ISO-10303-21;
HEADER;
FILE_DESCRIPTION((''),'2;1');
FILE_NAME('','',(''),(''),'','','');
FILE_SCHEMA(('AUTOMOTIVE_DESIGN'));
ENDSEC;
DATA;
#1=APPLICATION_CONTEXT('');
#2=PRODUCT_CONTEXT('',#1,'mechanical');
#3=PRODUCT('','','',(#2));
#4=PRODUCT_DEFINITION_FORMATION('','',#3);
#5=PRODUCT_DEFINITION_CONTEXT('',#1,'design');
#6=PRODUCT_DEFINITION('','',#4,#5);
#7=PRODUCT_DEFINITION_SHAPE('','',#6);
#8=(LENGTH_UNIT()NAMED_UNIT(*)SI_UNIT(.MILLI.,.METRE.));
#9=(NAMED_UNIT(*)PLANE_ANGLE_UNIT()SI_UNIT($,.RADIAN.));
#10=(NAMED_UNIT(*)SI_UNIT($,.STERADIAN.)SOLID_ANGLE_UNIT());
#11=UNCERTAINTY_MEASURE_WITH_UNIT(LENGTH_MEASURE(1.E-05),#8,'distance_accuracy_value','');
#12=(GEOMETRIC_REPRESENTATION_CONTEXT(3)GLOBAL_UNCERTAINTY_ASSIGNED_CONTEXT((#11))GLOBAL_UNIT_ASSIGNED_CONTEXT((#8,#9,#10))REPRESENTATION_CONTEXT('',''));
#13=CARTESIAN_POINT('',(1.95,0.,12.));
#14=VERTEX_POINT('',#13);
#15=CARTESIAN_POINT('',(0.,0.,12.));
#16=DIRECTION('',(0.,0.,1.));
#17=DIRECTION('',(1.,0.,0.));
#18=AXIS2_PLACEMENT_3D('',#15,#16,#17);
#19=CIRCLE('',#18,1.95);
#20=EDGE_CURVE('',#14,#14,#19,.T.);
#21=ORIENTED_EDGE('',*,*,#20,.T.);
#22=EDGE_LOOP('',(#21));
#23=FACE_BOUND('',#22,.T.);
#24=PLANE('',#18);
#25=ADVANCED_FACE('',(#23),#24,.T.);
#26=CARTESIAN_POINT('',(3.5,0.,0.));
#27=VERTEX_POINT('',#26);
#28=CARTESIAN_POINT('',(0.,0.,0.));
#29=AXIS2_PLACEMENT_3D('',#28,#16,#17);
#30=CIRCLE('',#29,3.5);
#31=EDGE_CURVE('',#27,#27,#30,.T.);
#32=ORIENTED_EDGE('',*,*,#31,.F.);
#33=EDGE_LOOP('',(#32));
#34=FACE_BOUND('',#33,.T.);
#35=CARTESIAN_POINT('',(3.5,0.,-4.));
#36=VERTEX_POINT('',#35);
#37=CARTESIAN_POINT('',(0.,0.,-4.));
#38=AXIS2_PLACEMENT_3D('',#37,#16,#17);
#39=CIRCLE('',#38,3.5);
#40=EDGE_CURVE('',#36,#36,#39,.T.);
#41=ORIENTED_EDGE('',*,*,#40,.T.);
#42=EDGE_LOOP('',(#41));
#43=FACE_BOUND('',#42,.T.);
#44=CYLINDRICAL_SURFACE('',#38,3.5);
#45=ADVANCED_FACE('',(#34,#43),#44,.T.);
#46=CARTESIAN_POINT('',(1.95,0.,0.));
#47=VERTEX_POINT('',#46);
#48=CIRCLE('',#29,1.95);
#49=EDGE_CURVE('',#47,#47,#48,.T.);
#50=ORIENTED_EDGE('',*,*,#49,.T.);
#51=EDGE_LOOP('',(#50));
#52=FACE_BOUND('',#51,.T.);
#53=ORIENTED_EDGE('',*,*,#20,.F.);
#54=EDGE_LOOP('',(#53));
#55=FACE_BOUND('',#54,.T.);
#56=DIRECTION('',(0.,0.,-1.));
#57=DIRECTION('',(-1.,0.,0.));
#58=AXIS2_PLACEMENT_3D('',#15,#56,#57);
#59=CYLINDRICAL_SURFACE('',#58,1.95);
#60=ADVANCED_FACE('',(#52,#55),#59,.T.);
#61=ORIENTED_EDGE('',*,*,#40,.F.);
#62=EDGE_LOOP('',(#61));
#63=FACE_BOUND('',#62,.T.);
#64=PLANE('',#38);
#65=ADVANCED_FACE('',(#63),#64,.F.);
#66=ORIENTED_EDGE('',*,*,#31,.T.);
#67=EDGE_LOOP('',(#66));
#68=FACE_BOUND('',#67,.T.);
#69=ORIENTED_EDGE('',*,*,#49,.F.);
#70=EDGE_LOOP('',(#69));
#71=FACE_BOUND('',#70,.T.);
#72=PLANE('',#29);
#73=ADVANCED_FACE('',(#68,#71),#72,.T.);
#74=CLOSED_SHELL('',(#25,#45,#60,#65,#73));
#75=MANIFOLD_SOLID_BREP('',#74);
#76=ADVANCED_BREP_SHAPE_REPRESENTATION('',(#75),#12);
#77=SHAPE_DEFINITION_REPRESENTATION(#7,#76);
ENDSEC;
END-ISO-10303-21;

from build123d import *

# Parameters (mm, degrees)
SKETCH_1_R      = 1.95
EXTRUDE_1_DEPTH = 12
SKETCH_2_R      = 3.5
EXTRUDE_2_DEPTH = 4


with BuildPart() as part:
    # 스케치1 → 보스-돌출1 (new body)
    with BuildSketch(Plane.XY):
        Circle(SKETCH_1_R)
    extrude(amount=EXTRUDE_1_DEPTH)

    # 스케치2 → 보스-돌출2 (add)
    with BuildSketch(Plane.XY):
        Circle(SKETCH_2_R)
    extrude(amount=-EXTRUDE_2_DEPTH)


solid = part.part
